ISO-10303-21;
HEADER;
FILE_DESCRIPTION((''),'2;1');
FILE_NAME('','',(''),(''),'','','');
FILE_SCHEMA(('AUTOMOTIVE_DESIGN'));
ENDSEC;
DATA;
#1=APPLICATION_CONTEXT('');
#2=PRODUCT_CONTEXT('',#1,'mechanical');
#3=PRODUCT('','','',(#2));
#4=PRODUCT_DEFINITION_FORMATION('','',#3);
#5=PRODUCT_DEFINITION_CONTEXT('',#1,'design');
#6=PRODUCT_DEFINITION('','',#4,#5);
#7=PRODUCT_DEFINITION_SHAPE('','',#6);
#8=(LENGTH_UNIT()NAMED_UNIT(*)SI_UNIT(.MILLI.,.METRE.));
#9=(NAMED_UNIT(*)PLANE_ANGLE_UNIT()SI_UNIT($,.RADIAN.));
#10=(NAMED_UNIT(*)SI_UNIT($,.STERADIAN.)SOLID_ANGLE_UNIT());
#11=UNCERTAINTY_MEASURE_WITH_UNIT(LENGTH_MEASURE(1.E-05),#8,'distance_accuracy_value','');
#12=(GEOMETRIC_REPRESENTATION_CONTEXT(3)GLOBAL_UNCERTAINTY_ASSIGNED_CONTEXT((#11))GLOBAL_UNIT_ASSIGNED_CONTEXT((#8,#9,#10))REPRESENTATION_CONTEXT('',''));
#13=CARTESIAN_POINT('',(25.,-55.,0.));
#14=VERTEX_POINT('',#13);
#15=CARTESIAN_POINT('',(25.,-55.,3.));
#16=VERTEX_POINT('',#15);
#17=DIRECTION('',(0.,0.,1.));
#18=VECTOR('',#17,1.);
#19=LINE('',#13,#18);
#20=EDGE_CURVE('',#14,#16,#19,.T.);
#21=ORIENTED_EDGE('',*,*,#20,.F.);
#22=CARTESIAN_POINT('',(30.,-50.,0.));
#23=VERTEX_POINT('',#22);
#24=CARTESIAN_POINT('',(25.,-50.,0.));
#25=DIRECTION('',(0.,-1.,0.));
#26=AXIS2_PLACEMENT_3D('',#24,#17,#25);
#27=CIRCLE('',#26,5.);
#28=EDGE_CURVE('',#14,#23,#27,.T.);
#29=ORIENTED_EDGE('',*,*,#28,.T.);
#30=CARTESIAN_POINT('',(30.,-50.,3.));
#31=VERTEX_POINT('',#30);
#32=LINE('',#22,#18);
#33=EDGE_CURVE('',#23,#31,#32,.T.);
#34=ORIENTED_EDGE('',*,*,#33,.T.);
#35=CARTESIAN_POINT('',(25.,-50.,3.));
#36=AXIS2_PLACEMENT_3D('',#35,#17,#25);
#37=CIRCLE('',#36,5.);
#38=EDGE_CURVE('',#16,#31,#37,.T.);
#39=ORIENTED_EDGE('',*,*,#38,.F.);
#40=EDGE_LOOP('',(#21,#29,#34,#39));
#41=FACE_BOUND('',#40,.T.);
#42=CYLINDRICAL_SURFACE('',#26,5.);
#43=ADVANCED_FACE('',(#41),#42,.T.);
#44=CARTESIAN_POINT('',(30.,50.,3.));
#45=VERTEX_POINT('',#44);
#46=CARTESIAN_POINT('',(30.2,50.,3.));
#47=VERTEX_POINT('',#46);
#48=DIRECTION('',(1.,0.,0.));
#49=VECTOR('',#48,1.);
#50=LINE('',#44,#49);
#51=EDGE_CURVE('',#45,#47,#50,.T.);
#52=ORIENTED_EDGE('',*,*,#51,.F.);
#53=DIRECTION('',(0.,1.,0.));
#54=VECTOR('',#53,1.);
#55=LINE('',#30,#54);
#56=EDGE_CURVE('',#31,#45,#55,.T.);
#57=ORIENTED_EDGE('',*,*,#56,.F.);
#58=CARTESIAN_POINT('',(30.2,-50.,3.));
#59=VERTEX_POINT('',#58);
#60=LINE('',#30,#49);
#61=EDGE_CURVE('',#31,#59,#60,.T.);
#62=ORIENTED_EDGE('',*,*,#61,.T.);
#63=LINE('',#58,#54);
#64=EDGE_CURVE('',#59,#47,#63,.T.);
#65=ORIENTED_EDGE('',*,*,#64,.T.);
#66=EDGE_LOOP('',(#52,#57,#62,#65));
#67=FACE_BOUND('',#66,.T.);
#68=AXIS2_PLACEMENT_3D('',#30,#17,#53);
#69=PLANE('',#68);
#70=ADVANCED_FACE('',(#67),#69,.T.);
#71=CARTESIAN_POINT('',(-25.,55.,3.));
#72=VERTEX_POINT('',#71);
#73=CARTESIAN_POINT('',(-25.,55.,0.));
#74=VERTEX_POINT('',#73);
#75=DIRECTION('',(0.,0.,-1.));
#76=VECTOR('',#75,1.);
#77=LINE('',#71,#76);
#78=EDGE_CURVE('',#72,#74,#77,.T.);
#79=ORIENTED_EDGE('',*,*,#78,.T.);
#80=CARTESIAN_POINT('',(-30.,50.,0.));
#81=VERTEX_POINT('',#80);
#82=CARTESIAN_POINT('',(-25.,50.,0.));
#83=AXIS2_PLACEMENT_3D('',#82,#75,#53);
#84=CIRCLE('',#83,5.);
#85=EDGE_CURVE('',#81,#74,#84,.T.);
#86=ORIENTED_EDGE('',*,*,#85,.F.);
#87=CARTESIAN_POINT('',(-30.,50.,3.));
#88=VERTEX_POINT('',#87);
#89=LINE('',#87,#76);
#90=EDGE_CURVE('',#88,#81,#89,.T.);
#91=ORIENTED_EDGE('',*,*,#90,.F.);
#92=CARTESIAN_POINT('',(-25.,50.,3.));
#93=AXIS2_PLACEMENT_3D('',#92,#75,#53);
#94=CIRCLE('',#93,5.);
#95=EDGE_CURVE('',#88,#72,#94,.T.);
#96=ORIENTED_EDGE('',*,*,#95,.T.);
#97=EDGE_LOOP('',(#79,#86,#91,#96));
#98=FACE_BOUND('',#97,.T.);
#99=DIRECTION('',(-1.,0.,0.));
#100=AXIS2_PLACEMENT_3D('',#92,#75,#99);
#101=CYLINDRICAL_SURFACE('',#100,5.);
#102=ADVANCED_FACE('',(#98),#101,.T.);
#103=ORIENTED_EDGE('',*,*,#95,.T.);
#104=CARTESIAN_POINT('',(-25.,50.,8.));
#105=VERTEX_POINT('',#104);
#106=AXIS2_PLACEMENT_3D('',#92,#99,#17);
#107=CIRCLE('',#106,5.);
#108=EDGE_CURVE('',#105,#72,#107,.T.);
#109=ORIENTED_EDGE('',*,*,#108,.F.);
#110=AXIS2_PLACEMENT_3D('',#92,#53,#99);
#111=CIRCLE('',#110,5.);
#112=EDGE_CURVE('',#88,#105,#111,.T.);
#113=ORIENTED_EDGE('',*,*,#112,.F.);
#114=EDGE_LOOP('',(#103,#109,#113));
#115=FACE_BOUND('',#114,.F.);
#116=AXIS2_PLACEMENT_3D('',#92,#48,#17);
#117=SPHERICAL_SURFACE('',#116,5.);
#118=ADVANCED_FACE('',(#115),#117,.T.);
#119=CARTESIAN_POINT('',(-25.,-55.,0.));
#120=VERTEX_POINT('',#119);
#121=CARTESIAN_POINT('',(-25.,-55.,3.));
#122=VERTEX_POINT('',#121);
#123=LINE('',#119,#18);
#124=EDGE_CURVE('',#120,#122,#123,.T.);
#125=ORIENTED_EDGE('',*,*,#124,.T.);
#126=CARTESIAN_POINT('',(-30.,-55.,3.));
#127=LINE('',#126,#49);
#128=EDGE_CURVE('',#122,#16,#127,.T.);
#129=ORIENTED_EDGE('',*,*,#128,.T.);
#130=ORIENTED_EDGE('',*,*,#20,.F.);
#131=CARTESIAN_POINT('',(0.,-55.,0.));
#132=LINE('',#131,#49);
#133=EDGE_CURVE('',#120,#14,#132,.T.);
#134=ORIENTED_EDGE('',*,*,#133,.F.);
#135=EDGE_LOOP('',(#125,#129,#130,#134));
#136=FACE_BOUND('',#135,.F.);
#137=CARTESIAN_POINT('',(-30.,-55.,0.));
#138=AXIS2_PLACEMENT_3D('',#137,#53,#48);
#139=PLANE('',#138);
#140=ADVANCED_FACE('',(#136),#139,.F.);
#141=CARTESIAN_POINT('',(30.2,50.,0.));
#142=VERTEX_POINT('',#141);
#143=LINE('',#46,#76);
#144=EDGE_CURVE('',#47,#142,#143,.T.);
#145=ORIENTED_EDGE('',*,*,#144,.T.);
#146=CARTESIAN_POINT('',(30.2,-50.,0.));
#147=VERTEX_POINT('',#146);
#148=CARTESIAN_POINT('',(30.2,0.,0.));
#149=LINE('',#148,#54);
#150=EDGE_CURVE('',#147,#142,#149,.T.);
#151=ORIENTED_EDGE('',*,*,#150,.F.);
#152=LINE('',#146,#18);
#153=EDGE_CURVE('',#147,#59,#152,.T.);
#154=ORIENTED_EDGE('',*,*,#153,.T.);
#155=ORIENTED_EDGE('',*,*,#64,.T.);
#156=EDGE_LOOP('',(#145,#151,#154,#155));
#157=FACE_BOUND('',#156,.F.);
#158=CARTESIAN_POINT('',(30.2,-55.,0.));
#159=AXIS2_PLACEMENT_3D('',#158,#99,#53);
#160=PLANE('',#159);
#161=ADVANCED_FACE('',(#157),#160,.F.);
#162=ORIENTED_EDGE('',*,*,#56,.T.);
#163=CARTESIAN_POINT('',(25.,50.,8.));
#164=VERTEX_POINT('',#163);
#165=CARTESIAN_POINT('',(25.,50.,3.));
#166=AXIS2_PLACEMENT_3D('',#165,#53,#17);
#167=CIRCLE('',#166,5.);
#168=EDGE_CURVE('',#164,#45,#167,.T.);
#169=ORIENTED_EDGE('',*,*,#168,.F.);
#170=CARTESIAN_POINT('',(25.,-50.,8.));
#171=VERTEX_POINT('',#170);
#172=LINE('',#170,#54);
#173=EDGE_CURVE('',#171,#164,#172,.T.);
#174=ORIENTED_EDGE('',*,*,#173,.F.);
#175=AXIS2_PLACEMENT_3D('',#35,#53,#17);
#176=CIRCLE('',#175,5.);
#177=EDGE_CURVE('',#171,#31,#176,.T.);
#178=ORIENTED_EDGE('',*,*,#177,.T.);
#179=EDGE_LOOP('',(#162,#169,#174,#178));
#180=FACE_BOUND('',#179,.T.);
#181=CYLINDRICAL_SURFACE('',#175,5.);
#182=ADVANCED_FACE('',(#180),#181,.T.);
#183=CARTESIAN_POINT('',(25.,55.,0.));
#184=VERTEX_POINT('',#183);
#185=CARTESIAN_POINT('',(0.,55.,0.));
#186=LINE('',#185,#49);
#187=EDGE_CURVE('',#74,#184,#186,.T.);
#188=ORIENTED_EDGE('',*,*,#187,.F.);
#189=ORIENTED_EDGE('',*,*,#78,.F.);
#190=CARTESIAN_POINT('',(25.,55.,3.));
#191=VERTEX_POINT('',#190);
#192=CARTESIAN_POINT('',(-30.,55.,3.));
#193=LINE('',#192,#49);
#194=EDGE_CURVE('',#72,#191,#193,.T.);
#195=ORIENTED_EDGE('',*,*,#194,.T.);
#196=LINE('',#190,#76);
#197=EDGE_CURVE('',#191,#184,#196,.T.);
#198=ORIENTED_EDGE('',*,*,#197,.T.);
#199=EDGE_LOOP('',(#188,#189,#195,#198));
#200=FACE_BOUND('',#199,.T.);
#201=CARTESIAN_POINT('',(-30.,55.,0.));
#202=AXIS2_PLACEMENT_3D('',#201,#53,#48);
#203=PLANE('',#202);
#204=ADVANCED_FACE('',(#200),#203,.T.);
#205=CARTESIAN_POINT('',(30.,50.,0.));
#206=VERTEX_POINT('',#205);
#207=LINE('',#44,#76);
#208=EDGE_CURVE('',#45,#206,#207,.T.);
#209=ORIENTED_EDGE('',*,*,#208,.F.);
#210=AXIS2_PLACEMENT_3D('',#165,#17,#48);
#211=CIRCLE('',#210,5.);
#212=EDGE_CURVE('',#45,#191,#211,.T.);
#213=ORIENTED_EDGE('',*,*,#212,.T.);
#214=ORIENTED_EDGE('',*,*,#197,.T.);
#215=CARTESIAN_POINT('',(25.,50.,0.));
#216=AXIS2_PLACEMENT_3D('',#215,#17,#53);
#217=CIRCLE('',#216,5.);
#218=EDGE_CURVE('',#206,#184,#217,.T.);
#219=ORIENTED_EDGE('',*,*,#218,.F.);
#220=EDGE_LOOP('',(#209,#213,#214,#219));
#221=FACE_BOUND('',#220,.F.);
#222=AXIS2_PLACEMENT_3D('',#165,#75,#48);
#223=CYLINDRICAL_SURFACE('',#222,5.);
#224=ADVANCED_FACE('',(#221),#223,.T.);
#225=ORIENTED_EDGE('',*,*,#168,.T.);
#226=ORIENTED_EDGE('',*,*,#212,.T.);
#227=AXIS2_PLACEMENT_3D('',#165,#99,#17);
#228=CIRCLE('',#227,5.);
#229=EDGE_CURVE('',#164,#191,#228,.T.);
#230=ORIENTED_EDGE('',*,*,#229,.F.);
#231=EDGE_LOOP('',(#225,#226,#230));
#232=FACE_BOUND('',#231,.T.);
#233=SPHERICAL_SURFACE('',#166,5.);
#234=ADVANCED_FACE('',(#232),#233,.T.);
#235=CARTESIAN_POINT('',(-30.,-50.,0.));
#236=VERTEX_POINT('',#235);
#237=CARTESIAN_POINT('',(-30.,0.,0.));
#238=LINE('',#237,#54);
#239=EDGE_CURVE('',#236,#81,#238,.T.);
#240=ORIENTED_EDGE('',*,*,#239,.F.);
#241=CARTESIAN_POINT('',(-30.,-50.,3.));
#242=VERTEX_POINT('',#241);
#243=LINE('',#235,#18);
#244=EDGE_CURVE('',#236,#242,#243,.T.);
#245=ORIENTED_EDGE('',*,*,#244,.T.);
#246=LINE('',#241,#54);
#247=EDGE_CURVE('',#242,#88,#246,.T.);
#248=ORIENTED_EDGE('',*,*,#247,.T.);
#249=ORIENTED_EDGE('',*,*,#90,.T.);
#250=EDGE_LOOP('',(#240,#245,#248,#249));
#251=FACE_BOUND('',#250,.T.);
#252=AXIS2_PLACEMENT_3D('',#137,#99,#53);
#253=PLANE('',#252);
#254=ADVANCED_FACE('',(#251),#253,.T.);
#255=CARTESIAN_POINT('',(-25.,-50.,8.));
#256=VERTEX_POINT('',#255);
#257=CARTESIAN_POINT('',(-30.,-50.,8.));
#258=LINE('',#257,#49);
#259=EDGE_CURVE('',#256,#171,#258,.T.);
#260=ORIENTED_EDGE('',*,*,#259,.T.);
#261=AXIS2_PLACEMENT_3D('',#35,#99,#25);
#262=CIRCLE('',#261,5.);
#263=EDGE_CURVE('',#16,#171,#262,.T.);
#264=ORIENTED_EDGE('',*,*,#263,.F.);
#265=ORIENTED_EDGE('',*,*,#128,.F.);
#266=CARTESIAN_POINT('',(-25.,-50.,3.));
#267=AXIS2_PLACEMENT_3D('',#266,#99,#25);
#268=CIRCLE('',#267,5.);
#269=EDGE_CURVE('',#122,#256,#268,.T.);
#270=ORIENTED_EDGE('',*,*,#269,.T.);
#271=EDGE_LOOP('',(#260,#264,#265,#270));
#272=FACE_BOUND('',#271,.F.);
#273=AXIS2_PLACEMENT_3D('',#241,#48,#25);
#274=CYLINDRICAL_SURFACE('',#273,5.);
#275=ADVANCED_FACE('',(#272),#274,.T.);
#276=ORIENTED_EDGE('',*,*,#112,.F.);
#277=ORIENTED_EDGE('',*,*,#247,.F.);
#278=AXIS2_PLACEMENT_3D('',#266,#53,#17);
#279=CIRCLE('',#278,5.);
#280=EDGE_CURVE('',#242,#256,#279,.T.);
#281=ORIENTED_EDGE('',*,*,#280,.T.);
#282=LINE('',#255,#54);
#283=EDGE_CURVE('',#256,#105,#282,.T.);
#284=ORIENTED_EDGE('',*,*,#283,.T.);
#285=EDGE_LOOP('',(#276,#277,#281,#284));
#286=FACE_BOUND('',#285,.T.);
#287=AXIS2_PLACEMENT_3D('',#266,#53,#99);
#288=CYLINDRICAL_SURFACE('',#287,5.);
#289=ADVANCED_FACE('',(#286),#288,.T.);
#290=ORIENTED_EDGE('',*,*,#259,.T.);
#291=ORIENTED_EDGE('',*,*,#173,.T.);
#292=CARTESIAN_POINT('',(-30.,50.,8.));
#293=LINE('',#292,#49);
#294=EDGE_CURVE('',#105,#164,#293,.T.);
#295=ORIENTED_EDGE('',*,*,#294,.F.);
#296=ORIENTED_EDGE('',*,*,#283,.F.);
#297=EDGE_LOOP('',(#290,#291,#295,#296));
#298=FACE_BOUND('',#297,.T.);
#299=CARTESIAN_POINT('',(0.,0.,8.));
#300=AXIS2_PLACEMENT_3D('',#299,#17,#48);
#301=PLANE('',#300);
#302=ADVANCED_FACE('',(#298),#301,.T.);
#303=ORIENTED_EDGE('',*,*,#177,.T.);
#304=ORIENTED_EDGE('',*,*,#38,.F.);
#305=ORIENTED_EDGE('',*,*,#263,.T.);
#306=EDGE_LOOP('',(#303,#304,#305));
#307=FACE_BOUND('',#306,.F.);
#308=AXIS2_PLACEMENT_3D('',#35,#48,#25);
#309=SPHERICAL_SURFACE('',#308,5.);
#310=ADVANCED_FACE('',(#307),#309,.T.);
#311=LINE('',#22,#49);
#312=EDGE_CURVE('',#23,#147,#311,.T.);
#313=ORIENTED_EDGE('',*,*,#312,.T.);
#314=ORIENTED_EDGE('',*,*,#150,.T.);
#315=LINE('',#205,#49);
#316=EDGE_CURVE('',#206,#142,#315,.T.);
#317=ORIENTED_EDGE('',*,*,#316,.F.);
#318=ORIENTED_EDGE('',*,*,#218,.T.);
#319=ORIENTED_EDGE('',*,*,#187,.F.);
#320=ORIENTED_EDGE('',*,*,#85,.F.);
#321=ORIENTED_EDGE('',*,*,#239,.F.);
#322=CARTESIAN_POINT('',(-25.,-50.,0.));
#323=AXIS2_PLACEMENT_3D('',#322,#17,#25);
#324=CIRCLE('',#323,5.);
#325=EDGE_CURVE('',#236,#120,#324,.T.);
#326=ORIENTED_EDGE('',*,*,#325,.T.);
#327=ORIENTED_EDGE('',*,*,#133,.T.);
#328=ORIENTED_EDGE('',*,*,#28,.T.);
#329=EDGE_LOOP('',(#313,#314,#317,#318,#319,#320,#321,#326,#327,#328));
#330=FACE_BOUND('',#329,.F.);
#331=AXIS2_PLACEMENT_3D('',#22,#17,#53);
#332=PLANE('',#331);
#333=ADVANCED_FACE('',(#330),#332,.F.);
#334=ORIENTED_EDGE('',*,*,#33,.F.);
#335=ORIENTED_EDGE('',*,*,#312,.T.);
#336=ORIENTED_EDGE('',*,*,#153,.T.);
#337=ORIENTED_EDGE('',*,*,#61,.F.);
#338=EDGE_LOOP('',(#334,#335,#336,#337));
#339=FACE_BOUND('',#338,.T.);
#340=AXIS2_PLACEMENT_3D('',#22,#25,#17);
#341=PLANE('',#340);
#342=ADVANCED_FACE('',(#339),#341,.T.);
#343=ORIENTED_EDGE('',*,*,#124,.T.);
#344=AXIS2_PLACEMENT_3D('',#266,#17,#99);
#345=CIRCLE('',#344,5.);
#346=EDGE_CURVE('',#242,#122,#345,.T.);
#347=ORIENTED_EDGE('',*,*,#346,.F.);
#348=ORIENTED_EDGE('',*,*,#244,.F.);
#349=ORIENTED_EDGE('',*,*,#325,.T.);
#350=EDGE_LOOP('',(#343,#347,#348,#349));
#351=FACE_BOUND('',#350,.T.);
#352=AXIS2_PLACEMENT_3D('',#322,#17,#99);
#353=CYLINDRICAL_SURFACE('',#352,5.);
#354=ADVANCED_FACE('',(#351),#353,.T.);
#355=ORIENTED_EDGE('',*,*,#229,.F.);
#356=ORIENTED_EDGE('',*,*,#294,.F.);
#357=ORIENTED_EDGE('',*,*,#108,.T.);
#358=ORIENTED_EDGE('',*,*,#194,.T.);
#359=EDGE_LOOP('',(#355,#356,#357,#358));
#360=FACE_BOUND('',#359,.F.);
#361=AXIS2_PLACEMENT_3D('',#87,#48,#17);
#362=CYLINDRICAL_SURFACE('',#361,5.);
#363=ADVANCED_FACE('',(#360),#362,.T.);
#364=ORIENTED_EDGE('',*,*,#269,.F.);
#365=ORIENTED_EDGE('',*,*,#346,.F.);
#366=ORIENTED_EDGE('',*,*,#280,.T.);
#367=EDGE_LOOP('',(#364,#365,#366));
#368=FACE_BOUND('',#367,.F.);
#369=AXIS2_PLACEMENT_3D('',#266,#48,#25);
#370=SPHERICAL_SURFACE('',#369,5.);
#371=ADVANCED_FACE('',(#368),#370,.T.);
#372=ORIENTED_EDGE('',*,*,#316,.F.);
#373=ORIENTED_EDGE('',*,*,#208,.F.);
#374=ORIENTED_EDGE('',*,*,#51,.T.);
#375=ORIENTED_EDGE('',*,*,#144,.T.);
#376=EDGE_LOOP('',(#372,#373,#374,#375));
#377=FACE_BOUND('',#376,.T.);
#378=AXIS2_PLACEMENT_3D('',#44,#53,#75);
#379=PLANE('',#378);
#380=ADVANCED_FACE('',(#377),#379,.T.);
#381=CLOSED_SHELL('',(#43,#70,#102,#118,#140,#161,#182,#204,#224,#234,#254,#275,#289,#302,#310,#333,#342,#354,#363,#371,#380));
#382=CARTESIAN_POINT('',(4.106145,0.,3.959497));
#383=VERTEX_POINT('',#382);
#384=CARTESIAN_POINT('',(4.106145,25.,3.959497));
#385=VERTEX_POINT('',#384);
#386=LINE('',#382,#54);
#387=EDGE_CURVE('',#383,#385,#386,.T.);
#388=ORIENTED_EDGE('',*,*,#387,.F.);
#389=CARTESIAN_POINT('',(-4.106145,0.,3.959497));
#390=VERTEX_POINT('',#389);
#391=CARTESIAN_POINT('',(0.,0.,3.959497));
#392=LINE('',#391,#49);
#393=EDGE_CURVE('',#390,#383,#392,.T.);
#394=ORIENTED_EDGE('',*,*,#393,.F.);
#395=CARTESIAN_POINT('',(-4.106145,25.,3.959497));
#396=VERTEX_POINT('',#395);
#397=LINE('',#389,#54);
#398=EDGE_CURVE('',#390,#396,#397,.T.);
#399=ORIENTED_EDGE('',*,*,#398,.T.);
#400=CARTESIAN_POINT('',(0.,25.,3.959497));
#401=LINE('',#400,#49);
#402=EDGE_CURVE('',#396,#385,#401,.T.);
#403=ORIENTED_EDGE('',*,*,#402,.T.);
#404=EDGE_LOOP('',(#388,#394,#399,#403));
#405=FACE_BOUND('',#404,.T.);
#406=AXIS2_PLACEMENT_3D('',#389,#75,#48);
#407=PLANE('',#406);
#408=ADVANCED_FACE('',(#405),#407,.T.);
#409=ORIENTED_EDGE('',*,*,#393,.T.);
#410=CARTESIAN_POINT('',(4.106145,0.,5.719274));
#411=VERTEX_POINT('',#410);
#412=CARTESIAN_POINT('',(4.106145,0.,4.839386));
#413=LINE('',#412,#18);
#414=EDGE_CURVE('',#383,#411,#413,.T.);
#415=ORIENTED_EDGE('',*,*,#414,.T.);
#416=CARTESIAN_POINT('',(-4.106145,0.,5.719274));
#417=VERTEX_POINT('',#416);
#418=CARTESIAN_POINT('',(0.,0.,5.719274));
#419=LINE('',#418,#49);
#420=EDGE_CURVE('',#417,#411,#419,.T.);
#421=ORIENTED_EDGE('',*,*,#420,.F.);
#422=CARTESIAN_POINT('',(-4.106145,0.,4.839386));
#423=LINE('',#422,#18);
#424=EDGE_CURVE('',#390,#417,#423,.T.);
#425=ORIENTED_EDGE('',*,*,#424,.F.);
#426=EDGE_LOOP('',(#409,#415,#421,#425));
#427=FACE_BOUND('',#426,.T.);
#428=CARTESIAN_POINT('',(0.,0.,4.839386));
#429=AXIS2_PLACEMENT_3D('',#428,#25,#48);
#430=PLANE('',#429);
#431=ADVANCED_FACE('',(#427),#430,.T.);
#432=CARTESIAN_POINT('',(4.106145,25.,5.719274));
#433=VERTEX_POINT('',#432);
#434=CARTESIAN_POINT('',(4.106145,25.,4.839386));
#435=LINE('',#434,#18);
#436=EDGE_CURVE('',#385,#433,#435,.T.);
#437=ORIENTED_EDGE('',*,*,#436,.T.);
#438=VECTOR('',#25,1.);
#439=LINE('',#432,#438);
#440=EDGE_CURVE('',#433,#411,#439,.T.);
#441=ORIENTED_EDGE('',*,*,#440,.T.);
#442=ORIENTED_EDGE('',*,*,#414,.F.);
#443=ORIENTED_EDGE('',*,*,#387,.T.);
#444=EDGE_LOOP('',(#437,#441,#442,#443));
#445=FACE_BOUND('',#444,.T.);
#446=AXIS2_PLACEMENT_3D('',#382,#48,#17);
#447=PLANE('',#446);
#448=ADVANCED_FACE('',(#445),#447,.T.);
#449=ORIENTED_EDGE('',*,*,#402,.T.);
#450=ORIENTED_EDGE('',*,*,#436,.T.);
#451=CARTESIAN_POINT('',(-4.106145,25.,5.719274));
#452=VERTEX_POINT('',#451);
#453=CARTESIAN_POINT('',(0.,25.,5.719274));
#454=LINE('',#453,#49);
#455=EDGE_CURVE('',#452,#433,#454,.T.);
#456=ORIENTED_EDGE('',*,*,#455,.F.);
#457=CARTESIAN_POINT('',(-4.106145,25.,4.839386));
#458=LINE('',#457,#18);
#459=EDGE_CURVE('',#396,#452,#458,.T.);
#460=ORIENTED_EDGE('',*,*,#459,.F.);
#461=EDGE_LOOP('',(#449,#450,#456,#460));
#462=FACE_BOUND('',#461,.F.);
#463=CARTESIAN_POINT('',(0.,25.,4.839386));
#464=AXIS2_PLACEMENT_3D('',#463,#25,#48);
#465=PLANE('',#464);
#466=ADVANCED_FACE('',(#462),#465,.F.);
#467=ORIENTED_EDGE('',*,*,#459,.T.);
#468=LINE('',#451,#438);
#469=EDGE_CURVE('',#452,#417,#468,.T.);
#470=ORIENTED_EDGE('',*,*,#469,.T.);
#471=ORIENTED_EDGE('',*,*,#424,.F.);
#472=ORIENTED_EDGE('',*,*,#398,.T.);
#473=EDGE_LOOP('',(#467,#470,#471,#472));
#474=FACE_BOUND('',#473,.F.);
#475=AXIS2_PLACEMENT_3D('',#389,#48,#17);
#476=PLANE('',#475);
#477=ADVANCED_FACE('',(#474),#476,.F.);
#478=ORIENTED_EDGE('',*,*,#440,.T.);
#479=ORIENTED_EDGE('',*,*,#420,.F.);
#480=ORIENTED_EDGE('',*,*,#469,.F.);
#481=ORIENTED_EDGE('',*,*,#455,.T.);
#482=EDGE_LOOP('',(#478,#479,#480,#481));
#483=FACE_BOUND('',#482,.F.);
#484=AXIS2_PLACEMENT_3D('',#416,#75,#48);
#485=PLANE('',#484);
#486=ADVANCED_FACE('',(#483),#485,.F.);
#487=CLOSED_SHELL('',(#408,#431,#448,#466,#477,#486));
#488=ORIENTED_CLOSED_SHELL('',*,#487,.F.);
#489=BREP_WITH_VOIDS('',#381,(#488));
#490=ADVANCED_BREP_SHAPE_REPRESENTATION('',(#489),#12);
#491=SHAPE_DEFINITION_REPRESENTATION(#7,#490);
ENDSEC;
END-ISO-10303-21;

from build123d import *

# Parameters (mm, degrees)
F0_W     = 60
F0_H     = 110
F1_DEPTH = 8
F2_R     = 5
F3_R     = 5
F4_R     = 5
F5_DEPTH = 0.2
F6_R     = 5
F7_W     = 8.2122897729
F7_H     = 1.7597768456
F8_DEPTH = 0.8
F9_DEPTH = 25


with BuildPart() as f1:
    # F0 (on Top) → F1 (new body)
    with BuildSketch(Plane.XY):
        Rectangle(F0_W, F0_H)
    extrude(amount=F1_DEPTH)

    # F2
    f2_edges = [f1.edges().sort_by_distance(p)[0] for p in [
        (0, -55, 8),
    ]]
    fillet(f2_edges, radius=F2_R)

    # F3
    f3_edges = [f1.edges().sort_by_distance(p)[0] for p in [
        (30, 2.5, 8),
    ]]
    fillet(f3_edges, radius=F3_R)

    # F4
    f4_edges = [f1.edges().sort_by_distance(p)[0] for p in [
        (-2.5, 55, 8),
    ]]
    fillet(f4_edges, radius=F4_R)

    # F5 (add): a face of the model
    f5_faces = [f1.faces().sort_by_distance(p)[0] for p in [
        (30, 0, 1.5),
    ]]
    extrude(f5_faces, amount=F5_DEPTH)

    # F6
    f6_edges = [f1.edges().sort_by_distance(p)[0] for p in [
        (-30, 0, 8),
    ]]
    fillet(f6_edges, radius=F6_R)

    # F7 (on Front) → F8 (cut)
    with BuildSketch(Plane.XZ):
        with Locations((0, 4.8393858597)):
            Rectangle(F7_W, F7_H)
    extrude(amount=-F8_DEPTH, mode=Mode.SUBTRACT)

    # F7 (on Front) → F9 (cut)
    with BuildSketch(Plane.XZ):
        with Locations((0, 4.8393858597)):
            Rectangle(F7_W, F7_H)
    extrude(amount=-F9_DEPTH, mode=Mode.SUBTRACT)


solid = f1.part
